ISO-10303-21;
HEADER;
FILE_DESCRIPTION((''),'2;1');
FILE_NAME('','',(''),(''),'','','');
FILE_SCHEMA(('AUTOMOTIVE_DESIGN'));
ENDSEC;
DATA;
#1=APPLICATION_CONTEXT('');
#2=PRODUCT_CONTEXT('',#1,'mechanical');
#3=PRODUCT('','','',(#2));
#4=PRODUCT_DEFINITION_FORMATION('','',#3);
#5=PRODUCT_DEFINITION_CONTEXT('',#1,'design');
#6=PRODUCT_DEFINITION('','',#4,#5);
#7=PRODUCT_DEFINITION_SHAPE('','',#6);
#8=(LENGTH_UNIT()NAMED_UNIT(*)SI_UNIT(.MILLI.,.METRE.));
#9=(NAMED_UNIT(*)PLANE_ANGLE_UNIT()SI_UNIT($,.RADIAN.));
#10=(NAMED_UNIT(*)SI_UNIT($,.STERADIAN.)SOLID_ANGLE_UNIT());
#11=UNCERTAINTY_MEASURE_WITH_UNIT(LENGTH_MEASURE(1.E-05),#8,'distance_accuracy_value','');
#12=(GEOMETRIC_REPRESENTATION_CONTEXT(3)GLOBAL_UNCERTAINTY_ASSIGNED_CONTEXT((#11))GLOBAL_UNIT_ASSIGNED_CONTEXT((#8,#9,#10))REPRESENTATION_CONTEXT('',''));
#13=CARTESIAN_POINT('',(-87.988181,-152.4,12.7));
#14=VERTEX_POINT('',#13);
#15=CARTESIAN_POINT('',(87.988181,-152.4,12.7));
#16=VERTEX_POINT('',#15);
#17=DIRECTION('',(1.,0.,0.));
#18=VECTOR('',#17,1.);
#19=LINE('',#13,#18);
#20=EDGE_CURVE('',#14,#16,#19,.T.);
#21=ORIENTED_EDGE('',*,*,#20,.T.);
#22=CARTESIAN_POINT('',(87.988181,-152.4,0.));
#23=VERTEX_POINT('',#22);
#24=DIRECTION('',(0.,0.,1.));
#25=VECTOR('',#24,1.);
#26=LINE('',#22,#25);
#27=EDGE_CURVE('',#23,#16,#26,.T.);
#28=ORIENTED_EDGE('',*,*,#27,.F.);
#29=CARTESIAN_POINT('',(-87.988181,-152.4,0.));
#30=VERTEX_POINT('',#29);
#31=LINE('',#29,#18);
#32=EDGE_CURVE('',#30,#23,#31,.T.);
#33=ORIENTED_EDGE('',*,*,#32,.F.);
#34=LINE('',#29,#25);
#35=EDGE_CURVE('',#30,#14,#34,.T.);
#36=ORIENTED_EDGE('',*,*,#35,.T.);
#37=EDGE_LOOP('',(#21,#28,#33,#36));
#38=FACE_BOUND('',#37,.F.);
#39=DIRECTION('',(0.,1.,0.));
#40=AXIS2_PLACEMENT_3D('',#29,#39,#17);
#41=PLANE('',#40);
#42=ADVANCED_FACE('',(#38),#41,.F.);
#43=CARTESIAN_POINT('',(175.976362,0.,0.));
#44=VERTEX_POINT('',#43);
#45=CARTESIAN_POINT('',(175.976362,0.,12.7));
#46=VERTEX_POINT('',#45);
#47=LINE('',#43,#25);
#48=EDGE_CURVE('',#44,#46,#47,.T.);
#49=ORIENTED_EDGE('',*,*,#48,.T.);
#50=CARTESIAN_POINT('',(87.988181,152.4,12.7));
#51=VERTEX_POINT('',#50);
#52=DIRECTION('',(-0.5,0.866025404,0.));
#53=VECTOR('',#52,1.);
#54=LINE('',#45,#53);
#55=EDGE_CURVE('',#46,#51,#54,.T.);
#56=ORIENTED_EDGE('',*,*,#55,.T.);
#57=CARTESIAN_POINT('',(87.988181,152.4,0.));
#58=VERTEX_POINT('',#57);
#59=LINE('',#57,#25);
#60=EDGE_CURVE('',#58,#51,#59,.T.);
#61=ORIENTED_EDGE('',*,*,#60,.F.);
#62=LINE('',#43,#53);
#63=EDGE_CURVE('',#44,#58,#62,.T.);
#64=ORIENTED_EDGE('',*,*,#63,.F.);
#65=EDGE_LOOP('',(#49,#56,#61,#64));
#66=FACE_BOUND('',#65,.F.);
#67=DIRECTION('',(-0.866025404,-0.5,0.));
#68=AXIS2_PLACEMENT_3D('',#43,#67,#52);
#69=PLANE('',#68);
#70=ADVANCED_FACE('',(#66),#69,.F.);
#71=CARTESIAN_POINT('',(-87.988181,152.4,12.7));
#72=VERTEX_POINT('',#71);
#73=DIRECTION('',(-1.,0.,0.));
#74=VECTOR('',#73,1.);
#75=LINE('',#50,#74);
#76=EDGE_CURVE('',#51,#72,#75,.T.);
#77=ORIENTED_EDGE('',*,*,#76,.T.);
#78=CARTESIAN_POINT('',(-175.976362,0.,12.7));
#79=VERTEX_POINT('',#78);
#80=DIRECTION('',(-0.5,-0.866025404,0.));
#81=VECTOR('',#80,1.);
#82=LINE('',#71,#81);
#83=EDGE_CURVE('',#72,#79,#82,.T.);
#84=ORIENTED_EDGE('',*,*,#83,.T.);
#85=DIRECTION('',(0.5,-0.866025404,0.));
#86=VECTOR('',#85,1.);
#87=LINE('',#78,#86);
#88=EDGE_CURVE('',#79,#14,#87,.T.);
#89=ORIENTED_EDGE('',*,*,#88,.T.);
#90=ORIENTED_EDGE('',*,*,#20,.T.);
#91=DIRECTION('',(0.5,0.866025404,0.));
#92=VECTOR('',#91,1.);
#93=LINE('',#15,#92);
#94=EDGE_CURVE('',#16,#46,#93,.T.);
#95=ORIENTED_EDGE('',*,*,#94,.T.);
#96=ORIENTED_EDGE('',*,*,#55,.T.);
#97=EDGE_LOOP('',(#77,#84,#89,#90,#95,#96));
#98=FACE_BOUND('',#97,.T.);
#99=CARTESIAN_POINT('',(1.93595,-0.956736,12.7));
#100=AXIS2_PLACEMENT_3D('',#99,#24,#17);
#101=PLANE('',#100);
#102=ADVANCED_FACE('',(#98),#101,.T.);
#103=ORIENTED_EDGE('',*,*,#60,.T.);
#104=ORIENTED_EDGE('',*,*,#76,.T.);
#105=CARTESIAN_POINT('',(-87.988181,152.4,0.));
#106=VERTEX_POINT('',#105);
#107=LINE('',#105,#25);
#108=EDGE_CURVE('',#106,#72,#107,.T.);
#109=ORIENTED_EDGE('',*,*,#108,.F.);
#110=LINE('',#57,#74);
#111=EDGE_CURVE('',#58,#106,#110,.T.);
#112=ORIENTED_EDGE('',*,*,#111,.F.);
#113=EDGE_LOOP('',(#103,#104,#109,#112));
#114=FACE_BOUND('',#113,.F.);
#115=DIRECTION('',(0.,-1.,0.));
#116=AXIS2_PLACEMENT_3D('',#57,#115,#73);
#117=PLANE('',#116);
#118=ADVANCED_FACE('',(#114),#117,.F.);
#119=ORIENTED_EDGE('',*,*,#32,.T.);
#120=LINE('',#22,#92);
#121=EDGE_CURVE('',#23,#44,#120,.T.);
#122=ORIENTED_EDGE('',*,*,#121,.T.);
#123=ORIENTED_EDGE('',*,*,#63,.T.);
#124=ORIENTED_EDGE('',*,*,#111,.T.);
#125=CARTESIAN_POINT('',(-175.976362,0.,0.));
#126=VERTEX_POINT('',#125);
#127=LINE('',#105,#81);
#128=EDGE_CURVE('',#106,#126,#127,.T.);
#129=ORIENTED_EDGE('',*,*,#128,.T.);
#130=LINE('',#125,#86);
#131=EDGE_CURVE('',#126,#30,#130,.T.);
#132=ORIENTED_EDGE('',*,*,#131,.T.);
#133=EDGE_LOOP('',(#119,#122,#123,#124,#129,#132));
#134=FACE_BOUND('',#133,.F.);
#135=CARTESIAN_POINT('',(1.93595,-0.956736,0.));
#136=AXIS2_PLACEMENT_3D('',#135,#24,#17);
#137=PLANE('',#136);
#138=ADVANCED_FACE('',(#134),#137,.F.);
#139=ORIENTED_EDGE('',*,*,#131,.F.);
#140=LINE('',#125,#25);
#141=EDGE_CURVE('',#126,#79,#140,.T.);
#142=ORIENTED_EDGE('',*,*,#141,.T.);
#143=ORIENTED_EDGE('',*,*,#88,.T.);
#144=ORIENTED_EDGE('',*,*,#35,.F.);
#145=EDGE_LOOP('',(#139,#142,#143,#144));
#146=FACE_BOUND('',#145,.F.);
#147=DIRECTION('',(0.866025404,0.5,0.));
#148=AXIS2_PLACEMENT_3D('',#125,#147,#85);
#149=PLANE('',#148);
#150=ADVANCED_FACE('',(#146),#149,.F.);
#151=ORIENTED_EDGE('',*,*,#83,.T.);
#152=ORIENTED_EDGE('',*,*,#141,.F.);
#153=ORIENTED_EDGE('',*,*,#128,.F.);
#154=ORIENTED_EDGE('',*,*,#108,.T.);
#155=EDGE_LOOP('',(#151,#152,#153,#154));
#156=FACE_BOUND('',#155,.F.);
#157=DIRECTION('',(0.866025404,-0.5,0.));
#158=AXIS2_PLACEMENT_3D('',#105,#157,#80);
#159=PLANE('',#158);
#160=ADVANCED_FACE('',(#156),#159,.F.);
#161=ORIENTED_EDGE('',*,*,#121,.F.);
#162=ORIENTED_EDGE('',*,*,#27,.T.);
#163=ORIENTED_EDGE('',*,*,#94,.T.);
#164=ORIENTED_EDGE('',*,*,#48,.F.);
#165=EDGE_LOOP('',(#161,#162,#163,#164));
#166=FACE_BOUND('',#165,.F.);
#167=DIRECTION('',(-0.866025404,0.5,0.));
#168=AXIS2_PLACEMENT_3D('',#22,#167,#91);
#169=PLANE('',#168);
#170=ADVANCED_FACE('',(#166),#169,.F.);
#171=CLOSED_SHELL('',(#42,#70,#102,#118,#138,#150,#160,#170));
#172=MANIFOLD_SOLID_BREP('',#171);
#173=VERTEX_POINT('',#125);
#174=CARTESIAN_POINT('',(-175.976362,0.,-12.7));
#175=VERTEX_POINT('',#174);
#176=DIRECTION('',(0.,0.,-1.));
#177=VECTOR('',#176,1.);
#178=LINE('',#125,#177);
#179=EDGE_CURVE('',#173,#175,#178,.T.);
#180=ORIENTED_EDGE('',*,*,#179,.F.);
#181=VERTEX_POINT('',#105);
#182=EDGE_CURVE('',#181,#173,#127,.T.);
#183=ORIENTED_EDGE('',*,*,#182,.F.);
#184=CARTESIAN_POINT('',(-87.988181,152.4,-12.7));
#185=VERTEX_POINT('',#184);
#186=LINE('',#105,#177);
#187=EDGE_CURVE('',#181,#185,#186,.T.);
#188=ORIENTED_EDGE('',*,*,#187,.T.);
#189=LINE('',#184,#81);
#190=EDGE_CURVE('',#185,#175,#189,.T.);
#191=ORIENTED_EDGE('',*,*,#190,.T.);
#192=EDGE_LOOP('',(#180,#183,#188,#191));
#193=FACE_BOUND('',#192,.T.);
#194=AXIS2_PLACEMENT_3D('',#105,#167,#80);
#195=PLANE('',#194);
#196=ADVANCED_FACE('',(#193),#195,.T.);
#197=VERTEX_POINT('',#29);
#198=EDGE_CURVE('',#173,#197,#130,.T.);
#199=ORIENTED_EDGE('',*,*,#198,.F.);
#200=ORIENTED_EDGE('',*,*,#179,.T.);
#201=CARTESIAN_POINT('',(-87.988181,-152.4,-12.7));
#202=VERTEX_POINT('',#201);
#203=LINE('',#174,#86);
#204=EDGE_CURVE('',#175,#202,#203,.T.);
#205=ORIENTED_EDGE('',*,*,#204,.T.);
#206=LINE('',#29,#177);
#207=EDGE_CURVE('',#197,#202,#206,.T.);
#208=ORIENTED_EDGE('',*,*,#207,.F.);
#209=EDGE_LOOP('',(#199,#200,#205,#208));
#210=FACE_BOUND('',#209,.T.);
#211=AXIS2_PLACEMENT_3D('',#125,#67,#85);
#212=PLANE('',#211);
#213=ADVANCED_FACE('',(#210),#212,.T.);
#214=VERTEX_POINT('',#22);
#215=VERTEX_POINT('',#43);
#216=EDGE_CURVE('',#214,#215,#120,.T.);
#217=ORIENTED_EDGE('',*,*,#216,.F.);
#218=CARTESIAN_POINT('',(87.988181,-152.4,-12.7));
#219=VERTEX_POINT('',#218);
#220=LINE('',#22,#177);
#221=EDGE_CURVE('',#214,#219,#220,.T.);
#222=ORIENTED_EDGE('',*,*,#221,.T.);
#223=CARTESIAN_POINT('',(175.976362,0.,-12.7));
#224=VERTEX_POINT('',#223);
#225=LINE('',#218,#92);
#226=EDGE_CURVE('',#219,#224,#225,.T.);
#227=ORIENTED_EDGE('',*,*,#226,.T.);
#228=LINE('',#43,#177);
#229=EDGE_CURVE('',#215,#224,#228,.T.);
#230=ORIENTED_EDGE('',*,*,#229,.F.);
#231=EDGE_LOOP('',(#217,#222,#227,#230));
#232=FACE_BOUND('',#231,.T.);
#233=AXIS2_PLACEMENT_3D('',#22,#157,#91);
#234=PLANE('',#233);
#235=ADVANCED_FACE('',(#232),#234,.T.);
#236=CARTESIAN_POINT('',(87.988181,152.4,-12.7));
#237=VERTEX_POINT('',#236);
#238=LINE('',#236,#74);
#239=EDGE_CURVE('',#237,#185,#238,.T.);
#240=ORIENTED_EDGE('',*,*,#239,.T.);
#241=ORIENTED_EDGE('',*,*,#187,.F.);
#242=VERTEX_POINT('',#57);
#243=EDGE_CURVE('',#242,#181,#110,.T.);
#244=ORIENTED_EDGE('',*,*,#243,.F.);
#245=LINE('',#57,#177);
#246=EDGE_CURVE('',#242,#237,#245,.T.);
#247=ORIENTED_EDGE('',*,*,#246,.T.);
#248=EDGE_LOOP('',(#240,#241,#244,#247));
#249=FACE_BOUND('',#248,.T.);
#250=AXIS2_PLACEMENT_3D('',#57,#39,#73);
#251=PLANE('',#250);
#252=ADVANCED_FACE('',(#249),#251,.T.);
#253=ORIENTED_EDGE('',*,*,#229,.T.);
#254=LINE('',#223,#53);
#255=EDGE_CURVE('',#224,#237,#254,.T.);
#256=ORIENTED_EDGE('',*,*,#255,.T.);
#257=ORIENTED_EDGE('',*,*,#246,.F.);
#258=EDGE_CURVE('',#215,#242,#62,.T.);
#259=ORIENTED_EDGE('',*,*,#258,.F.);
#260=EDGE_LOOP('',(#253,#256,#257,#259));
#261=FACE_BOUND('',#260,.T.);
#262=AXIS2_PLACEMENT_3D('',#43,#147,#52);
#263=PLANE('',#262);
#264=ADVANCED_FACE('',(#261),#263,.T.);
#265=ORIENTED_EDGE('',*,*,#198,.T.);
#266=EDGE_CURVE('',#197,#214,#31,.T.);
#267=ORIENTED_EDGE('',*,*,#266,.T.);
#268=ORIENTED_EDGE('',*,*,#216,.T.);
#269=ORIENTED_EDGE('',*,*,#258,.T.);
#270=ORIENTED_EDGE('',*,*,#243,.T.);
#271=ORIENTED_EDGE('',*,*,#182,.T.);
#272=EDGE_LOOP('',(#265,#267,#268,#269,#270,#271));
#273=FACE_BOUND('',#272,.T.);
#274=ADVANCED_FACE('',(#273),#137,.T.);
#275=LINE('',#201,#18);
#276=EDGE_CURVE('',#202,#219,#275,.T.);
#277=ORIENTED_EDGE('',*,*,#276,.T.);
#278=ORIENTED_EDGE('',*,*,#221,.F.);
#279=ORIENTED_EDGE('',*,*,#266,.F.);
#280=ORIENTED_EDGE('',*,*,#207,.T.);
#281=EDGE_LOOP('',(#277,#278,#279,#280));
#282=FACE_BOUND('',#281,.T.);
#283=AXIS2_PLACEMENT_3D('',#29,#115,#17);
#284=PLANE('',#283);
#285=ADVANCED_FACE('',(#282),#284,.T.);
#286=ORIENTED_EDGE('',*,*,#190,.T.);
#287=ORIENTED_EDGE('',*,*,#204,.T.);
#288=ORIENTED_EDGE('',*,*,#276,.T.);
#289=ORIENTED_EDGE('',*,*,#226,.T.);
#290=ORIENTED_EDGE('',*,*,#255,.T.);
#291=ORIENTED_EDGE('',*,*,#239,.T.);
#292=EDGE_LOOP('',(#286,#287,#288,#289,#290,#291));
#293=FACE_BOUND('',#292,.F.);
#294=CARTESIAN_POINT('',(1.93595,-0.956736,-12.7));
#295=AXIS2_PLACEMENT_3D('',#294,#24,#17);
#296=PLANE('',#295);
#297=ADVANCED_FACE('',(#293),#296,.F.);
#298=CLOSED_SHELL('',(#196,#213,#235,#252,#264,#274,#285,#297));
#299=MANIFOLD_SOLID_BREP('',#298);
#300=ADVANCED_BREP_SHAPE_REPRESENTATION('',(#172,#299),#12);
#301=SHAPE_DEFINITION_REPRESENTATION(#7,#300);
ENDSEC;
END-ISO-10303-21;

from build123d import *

# Parameters (mm, degrees)
F1_DEPTH = 12.7
F2_DEPTH = 12.7


with BuildPart() as f1:
    # F0 (on Top) → F1 (new body)
    with BuildSketch(Plane.XY):
        with BuildLine():
            ThreePointArc((131.9822715367, -76.2), (147.2070959265, -39.4440224736), (152.4, 0))
            ThreePointArc((152.4, 0), (147.2070959265, 39.4440224736), (131.9822715367, 76.2))
            ThreePointArc((131.9822715367, 76.2), (76.2, 131.9822715367), (0, 152.4))
            ThreePointArc((0, 152.4), (-76.2, 131.9822715367), (-131.9822715367, 76.2))
            ThreePointArc((-131.9822715367, 76.2), (-152.4, 0), (-131.9822715367, -76.2))
            ThreePointArc((-131.9822715367, -76.2), (-76.2, -131.9822715367), (0, -152.4))
            ThreePointArc((0, -152.4), (76.2, -131.9822715367), (131.9822715367, -76.2))
        make_face()
        with BuildLine():
            Line((-87.9881810245, -152.4), (0, -152.4))
            ThreePointArc((0, -152.4), (-76.2, -131.9822715367), (-131.9822715367, -76.2))
            Line((-131.9822715367, -76.2), (-87.9881810245, -152.4))
        make_face()
        with BuildLine():
            ThreePointArc((-131.9822715367, -76.2), (-152.4, 0), (-131.9822715367, 76.2))
            Line((-131.9822715367, 76.2), (-175.976362049, 0))
            Line((-175.976362049, 0), (-131.9822715367, -76.2))
        make_face()
        with BuildLine():
            ThreePointArc((-131.9822715367, 76.2), (-76.2, 131.9822715367), (0, 152.4))
            Line((0, 152.4), (-86.7521613836, 152.4))
            Line((-86.7521613836, 152.4), (-87.9881810245, 152.4))
            Line((-87.9881810245, 152.4), (-131.9822715367, 76.2))
        make_face()
        with BuildLine():
            ThreePointArc((0, 152.4), (76.2, 131.9822715367), (131.9822715367, 76.2))
            Line((131.9822715367, 76.2), (87.9881810245, 152.4))
            Line((87.9881810245, 152.4), (0, 152.4))
        make_face()
        with BuildLine():
            ThreePointArc((131.9822715367, 76.2), (147.2070959265, 39.4440224736), (152.4, 0))
            ThreePointArc((152.4, 0), (147.2070959265, -39.4440224736), (131.9822715367, -76.2))
            Line((131.9822715367, -76.2), (175.976362049, 0))
            Line((175.976362049, 0), (131.9822715367, 76.2))
        make_face()
        with BuildLine():
            Line((87.9881810245, -152.4), (131.9822715367, -76.2))
            ThreePointArc((131.9822715367, -76.2), (76.2, -131.9822715367), (0, -152.4))
            Line((0, -152.4), (87.9881810245, -152.4))
        make_face()
    extrude(amount=F1_DEPTH)


with BuildPart() as f2:
    # F0 (on Top) → F2 (new body)
    with BuildSketch(Plane.XY):
        with BuildLine():
            ThreePointArc((131.9822715367, -76.2), (147.2070959265, -39.4440224736), (152.4, 0))
            ThreePointArc((152.4, 0), (147.2070959265, 39.4440224736), (131.9822715367, 76.2))
            ThreePointArc((131.9822715367, 76.2), (76.2, 131.9822715367), (0, 152.4))
            ThreePointArc((0, 152.4), (-76.2, 131.9822715367), (-131.9822715367, 76.2))
            ThreePointArc((-131.9822715367, 76.2), (-152.4, 0), (-131.9822715367, -76.2))
            ThreePointArc((-131.9822715367, -76.2), (-76.2, -131.9822715367), (0, -152.4))
            ThreePointArc((0, -152.4), (76.2, -131.9822715367), (131.9822715367, -76.2))
        make_face()
        with BuildLine():
            ThreePointArc((-131.9822715367, -76.2), (-152.4, 0), (-131.9822715367, 76.2))
            Line((-131.9822715367, 76.2), (-175.976362049, 0))
            Line((-175.976362049, 0), (-131.9822715367, -76.2))
        make_face()
        with BuildLine():
            ThreePointArc((-131.9822715367, 76.2), (-76.2, 131.9822715367), (0, 152.4))
            Line((0, 152.4), (-86.7521613836, 152.4))
            Line((-86.7521613836, 152.4), (-87.9881810245, 152.4))
            Line((-87.9881810245, 152.4), (-131.9822715367, 76.2))
        make_face()
        with BuildLine():
            ThreePointArc((0, 152.4), (76.2, 131.9822715367), (131.9822715367, 76.2))
            Line((131.9822715367, 76.2), (87.9881810245, 152.4))
            Line((87.9881810245, 152.4), (0, 152.4))
        make_face()
        with BuildLine():
            ThreePointArc((131.9822715367, 76.2), (147.2070959265, 39.4440224736), (152.4, 0))
            ThreePointArc((152.4, 0), (147.2070959265, -39.4440224736), (131.9822715367, -76.2))
            Line((131.9822715367, -76.2), (175.976362049, 0))
            Line((175.976362049, 0), (131.9822715367, 76.2))
        make_face()
        with BuildLine():
            Line((87.9881810245, -152.4), (131.9822715367, -76.2))
            ThreePointArc((131.9822715367, -76.2), (76.2, -131.9822715367), (0, -152.4))
            Line((0, -152.4), (87.9881810245, -152.4))
        make_face()
        with BuildLine():
            Line((-87.9881810245, -152.4), (0, -152.4))
            ThreePointArc((0, -152.4), (-76.2, -131.9822715367), (-131.9822715367, -76.2))
            Line((-131.9822715367, -76.2), (-87.9881810245, -152.4))
        make_face()
    extrude(amount=-F2_DEPTH)


solid = Compound([f1.part, f2.part])
